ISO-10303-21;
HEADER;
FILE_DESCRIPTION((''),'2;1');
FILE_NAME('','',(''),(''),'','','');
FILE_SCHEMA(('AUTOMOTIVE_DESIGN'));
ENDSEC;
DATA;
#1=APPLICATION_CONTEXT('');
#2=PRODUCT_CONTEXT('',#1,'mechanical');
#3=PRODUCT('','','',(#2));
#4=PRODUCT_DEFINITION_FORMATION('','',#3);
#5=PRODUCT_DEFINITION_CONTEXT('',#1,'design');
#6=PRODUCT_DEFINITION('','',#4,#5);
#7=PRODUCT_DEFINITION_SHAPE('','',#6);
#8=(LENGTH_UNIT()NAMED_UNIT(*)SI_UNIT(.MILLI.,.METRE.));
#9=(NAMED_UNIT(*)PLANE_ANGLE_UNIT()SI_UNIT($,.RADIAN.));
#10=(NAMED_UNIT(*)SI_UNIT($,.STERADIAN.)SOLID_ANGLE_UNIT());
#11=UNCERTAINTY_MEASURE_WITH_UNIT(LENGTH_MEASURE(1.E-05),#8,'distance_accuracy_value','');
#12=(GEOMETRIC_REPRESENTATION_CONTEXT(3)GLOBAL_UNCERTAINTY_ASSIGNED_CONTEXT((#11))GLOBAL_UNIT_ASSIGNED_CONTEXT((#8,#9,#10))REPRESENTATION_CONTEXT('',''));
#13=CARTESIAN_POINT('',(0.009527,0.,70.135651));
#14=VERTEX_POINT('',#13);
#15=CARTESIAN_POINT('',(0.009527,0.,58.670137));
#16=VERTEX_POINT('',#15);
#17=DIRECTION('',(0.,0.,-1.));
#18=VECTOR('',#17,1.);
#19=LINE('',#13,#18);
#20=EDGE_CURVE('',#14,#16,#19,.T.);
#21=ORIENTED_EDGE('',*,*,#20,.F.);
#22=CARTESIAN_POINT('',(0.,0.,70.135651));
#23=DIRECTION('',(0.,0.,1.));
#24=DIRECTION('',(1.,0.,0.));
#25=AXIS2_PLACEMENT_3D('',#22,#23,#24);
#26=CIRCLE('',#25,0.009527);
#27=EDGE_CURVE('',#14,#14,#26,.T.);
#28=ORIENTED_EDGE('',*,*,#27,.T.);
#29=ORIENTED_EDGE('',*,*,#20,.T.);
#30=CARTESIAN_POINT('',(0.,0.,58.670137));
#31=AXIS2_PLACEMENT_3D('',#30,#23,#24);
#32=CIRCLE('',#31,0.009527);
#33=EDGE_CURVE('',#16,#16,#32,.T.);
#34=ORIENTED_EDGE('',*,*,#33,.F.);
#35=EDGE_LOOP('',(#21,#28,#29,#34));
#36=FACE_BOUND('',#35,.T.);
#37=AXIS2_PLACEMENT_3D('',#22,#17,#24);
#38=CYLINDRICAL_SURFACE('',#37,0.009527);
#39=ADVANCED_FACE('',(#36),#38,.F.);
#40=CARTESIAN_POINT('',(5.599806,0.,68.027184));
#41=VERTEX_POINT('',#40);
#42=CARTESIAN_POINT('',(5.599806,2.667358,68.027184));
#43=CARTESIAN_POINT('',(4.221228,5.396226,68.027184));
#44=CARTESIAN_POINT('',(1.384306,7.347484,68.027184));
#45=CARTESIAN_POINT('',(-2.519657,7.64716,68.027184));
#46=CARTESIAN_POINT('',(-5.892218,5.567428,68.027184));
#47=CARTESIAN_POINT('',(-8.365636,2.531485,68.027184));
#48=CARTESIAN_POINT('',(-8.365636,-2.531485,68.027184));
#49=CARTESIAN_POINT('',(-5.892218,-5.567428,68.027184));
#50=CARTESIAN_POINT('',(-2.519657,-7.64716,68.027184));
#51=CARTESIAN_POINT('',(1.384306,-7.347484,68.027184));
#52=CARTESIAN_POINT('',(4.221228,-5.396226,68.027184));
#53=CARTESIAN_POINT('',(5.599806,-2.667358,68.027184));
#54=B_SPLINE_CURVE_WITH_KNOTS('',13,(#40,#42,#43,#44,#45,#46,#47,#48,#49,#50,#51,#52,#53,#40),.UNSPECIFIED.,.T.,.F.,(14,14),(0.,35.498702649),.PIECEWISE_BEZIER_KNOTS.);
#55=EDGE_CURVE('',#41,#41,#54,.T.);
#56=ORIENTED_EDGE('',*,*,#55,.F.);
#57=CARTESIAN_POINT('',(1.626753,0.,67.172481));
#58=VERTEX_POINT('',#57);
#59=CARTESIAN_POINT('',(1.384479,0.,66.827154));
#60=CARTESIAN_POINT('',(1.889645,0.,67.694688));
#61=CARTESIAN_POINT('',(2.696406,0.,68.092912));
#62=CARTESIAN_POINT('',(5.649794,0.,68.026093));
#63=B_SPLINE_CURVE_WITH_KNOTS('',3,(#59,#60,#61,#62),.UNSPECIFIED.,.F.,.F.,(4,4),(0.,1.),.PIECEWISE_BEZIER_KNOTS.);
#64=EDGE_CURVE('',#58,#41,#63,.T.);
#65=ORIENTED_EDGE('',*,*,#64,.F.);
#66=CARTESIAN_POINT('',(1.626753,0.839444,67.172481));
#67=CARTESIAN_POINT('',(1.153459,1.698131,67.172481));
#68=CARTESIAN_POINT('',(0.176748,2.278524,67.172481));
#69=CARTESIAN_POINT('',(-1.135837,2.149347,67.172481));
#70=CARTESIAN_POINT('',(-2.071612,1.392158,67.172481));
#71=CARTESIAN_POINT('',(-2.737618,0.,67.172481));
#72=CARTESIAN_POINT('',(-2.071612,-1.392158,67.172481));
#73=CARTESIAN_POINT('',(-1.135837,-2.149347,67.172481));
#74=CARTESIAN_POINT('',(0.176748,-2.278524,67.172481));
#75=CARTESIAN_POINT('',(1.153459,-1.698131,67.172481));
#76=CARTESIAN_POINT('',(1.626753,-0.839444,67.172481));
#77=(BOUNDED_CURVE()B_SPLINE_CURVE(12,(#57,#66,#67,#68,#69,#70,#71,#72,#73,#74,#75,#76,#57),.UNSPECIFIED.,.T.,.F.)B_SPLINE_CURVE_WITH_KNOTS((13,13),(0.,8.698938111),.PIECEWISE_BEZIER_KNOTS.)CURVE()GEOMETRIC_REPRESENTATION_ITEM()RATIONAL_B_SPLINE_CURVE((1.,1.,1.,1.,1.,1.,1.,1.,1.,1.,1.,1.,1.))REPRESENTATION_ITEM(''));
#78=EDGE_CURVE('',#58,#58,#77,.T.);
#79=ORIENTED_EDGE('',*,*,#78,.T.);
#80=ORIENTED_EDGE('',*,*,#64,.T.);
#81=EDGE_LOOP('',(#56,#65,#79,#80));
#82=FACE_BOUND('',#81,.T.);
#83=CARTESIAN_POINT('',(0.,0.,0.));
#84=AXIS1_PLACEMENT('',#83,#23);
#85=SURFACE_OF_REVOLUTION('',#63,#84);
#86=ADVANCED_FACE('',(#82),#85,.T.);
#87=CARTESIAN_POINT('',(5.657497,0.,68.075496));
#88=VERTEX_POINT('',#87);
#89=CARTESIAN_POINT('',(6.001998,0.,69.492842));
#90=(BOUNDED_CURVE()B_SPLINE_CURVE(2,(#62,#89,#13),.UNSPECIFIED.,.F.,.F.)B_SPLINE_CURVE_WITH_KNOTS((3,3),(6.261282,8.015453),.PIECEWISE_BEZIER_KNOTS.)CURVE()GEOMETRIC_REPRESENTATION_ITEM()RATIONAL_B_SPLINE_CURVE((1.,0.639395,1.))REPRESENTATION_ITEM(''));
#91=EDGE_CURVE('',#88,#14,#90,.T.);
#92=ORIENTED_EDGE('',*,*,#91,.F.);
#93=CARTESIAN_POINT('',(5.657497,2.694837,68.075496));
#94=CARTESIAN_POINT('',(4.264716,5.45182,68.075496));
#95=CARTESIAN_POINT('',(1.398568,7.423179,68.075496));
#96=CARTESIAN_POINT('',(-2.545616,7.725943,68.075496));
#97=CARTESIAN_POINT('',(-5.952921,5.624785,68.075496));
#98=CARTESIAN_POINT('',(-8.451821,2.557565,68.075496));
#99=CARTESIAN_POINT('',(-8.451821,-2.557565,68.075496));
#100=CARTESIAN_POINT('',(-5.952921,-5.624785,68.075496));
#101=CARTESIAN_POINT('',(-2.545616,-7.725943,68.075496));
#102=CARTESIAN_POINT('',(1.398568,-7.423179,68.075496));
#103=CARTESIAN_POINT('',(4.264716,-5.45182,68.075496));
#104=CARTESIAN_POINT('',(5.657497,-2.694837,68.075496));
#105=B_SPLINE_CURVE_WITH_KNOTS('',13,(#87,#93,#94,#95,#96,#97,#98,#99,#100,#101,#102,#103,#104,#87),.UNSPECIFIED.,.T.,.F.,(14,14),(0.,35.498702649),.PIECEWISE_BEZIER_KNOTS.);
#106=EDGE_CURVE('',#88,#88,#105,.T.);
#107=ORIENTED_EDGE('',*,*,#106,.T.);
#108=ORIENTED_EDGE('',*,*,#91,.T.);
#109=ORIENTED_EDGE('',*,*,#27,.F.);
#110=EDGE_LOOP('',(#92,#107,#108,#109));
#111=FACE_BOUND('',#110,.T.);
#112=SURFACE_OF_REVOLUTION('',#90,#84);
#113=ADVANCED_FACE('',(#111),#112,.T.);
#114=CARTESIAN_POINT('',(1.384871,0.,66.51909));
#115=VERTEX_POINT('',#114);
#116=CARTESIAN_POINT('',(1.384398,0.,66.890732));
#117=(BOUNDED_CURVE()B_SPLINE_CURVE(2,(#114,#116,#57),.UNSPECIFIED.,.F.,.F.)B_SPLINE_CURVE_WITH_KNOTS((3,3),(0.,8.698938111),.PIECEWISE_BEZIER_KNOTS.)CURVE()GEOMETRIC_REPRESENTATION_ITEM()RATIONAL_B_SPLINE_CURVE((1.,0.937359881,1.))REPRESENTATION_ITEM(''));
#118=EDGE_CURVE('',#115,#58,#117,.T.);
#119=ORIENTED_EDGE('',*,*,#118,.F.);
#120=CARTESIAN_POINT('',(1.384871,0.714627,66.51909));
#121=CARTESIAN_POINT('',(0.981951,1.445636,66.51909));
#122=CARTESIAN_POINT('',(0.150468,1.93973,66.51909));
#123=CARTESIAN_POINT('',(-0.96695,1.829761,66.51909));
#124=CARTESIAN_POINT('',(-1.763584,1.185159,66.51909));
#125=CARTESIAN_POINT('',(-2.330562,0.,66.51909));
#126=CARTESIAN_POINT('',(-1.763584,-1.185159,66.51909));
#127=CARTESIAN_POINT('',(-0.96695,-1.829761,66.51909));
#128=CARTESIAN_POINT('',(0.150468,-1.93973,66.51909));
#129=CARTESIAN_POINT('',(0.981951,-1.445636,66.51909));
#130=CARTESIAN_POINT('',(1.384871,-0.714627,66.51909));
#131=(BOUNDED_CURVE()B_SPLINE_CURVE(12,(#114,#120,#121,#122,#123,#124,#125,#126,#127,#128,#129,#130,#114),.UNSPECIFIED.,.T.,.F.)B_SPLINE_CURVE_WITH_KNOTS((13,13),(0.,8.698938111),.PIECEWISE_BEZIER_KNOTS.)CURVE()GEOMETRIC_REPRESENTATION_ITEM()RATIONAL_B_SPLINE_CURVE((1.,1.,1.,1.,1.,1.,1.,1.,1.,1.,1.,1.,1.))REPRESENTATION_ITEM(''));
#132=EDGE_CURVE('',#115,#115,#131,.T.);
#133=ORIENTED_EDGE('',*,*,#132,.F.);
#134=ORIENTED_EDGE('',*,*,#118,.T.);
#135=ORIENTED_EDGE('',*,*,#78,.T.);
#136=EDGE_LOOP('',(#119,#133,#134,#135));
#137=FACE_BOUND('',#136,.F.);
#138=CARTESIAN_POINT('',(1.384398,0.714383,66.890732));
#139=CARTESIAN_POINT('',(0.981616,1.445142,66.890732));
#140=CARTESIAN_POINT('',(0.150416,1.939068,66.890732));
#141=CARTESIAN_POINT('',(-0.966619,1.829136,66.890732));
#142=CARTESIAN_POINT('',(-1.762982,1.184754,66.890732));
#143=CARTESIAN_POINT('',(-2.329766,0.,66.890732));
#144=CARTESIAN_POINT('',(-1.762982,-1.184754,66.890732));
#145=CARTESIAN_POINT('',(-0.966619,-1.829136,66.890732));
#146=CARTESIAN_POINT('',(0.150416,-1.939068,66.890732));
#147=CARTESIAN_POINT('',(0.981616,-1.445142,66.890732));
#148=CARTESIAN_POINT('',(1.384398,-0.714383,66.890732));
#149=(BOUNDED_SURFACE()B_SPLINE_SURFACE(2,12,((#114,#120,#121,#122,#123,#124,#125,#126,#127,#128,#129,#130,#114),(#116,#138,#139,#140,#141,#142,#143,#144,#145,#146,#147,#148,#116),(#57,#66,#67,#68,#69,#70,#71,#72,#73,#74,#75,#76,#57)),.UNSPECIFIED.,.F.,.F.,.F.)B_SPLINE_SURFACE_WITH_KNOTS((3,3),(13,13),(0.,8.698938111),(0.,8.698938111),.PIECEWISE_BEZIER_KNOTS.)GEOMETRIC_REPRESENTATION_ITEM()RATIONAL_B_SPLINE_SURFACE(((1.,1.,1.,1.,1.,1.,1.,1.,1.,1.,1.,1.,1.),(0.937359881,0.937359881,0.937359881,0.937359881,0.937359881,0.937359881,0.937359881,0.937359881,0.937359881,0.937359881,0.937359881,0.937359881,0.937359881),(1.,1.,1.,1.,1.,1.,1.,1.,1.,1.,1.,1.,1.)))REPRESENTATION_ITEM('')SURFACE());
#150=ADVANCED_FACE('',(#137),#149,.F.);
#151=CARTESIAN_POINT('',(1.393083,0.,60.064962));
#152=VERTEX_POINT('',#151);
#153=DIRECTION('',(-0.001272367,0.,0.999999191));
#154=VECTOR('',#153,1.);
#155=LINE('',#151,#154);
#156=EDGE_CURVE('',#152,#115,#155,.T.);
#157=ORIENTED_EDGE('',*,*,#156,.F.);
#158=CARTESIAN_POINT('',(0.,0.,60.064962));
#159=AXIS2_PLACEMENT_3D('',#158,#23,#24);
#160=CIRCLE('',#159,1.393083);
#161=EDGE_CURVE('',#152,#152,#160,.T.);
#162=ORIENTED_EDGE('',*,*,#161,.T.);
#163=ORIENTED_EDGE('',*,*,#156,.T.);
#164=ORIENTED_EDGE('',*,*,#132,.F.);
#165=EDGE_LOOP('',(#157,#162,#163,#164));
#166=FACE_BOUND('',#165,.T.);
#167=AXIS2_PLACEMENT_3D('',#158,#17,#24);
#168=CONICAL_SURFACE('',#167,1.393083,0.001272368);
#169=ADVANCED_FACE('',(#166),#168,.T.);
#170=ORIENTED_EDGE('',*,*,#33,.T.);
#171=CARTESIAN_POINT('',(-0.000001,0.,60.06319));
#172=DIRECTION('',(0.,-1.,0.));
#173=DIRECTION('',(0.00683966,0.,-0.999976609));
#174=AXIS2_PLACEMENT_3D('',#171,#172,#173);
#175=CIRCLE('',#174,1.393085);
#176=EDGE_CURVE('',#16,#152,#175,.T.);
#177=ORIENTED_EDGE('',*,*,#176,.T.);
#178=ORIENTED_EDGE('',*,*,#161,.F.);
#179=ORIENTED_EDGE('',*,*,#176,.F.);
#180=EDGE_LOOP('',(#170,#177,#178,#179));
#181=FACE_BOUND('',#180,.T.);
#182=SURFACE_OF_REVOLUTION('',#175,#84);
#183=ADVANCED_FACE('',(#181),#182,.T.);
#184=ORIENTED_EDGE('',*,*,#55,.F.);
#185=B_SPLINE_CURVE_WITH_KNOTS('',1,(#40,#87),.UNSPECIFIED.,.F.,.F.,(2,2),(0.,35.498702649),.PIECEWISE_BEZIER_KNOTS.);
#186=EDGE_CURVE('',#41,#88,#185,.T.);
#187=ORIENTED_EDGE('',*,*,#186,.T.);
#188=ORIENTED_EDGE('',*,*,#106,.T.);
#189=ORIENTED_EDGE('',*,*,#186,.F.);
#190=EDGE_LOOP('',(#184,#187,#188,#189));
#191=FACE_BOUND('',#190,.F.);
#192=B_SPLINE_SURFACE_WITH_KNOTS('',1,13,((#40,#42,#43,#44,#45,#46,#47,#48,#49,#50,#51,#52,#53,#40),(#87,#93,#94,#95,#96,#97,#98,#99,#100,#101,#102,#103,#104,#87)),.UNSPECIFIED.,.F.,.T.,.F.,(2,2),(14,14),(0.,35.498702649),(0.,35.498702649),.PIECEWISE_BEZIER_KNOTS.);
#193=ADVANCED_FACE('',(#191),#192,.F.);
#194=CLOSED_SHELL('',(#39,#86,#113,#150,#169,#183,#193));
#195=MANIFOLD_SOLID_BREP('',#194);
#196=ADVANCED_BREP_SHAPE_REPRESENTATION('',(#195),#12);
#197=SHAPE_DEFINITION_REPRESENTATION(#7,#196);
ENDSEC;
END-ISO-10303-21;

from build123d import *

# Parameters (mm, degrees)
FILLET010_R     = 1
CHAMFER001_SIZE = 0.05


with BuildPart() as part:
    # Sketch008 → Revolution004 (revolve)
    with BuildSketch(Plane.XZ):
        with BuildLine():
            ThreePointArc((0.009527, 58.670137), (0.989046, 59.082133), (1.393083, 60.064962))
            Line((1.393083, 60.064962), (1.384479, 66.827154))
            add(Edge.make_bspline(
                [(1.384479, 66.827154), (1.889645, 67.694688), (2.696406, 68.092912), (5.649794, 68.026093)],
                knots=[0, 0, 0, 0, 1, 1, 1, 1], degree=3))
            add(Edge.make_bspline(
                [(5.649794, 68.026093), (6.001998, 69.492842), (0.009527, 70.135651)],
                knots=[6.261282, 6.261282, 6.261282, 8.015453, 8.015453, 8.015453], degree=2, weights=[1, 0.639395, 1]))
            Line((0.009527, 70.135651), (0.009527, 58.670137))
        make_face()
    revolve(axis=Axis((0, 0, 0), (0, 0, 1)))

    # Fillet010
    fillet010_edges = [part.edges().sort_by_distance(p)[0] for p in [
        (-1.384479, 0, 66.827154),
    ]]
    fillet(fillet010_edges, radius=FILLET010_R)

    # Chamfer001
    chamfer001_edges = [part.edges().sort_by_distance(p)[0] for p in [
        (-5.649794, 0, 68.026093),
    ]]
    chamfer(chamfer001_edges, length=CHAMFER001_SIZE)


solid = part.part
